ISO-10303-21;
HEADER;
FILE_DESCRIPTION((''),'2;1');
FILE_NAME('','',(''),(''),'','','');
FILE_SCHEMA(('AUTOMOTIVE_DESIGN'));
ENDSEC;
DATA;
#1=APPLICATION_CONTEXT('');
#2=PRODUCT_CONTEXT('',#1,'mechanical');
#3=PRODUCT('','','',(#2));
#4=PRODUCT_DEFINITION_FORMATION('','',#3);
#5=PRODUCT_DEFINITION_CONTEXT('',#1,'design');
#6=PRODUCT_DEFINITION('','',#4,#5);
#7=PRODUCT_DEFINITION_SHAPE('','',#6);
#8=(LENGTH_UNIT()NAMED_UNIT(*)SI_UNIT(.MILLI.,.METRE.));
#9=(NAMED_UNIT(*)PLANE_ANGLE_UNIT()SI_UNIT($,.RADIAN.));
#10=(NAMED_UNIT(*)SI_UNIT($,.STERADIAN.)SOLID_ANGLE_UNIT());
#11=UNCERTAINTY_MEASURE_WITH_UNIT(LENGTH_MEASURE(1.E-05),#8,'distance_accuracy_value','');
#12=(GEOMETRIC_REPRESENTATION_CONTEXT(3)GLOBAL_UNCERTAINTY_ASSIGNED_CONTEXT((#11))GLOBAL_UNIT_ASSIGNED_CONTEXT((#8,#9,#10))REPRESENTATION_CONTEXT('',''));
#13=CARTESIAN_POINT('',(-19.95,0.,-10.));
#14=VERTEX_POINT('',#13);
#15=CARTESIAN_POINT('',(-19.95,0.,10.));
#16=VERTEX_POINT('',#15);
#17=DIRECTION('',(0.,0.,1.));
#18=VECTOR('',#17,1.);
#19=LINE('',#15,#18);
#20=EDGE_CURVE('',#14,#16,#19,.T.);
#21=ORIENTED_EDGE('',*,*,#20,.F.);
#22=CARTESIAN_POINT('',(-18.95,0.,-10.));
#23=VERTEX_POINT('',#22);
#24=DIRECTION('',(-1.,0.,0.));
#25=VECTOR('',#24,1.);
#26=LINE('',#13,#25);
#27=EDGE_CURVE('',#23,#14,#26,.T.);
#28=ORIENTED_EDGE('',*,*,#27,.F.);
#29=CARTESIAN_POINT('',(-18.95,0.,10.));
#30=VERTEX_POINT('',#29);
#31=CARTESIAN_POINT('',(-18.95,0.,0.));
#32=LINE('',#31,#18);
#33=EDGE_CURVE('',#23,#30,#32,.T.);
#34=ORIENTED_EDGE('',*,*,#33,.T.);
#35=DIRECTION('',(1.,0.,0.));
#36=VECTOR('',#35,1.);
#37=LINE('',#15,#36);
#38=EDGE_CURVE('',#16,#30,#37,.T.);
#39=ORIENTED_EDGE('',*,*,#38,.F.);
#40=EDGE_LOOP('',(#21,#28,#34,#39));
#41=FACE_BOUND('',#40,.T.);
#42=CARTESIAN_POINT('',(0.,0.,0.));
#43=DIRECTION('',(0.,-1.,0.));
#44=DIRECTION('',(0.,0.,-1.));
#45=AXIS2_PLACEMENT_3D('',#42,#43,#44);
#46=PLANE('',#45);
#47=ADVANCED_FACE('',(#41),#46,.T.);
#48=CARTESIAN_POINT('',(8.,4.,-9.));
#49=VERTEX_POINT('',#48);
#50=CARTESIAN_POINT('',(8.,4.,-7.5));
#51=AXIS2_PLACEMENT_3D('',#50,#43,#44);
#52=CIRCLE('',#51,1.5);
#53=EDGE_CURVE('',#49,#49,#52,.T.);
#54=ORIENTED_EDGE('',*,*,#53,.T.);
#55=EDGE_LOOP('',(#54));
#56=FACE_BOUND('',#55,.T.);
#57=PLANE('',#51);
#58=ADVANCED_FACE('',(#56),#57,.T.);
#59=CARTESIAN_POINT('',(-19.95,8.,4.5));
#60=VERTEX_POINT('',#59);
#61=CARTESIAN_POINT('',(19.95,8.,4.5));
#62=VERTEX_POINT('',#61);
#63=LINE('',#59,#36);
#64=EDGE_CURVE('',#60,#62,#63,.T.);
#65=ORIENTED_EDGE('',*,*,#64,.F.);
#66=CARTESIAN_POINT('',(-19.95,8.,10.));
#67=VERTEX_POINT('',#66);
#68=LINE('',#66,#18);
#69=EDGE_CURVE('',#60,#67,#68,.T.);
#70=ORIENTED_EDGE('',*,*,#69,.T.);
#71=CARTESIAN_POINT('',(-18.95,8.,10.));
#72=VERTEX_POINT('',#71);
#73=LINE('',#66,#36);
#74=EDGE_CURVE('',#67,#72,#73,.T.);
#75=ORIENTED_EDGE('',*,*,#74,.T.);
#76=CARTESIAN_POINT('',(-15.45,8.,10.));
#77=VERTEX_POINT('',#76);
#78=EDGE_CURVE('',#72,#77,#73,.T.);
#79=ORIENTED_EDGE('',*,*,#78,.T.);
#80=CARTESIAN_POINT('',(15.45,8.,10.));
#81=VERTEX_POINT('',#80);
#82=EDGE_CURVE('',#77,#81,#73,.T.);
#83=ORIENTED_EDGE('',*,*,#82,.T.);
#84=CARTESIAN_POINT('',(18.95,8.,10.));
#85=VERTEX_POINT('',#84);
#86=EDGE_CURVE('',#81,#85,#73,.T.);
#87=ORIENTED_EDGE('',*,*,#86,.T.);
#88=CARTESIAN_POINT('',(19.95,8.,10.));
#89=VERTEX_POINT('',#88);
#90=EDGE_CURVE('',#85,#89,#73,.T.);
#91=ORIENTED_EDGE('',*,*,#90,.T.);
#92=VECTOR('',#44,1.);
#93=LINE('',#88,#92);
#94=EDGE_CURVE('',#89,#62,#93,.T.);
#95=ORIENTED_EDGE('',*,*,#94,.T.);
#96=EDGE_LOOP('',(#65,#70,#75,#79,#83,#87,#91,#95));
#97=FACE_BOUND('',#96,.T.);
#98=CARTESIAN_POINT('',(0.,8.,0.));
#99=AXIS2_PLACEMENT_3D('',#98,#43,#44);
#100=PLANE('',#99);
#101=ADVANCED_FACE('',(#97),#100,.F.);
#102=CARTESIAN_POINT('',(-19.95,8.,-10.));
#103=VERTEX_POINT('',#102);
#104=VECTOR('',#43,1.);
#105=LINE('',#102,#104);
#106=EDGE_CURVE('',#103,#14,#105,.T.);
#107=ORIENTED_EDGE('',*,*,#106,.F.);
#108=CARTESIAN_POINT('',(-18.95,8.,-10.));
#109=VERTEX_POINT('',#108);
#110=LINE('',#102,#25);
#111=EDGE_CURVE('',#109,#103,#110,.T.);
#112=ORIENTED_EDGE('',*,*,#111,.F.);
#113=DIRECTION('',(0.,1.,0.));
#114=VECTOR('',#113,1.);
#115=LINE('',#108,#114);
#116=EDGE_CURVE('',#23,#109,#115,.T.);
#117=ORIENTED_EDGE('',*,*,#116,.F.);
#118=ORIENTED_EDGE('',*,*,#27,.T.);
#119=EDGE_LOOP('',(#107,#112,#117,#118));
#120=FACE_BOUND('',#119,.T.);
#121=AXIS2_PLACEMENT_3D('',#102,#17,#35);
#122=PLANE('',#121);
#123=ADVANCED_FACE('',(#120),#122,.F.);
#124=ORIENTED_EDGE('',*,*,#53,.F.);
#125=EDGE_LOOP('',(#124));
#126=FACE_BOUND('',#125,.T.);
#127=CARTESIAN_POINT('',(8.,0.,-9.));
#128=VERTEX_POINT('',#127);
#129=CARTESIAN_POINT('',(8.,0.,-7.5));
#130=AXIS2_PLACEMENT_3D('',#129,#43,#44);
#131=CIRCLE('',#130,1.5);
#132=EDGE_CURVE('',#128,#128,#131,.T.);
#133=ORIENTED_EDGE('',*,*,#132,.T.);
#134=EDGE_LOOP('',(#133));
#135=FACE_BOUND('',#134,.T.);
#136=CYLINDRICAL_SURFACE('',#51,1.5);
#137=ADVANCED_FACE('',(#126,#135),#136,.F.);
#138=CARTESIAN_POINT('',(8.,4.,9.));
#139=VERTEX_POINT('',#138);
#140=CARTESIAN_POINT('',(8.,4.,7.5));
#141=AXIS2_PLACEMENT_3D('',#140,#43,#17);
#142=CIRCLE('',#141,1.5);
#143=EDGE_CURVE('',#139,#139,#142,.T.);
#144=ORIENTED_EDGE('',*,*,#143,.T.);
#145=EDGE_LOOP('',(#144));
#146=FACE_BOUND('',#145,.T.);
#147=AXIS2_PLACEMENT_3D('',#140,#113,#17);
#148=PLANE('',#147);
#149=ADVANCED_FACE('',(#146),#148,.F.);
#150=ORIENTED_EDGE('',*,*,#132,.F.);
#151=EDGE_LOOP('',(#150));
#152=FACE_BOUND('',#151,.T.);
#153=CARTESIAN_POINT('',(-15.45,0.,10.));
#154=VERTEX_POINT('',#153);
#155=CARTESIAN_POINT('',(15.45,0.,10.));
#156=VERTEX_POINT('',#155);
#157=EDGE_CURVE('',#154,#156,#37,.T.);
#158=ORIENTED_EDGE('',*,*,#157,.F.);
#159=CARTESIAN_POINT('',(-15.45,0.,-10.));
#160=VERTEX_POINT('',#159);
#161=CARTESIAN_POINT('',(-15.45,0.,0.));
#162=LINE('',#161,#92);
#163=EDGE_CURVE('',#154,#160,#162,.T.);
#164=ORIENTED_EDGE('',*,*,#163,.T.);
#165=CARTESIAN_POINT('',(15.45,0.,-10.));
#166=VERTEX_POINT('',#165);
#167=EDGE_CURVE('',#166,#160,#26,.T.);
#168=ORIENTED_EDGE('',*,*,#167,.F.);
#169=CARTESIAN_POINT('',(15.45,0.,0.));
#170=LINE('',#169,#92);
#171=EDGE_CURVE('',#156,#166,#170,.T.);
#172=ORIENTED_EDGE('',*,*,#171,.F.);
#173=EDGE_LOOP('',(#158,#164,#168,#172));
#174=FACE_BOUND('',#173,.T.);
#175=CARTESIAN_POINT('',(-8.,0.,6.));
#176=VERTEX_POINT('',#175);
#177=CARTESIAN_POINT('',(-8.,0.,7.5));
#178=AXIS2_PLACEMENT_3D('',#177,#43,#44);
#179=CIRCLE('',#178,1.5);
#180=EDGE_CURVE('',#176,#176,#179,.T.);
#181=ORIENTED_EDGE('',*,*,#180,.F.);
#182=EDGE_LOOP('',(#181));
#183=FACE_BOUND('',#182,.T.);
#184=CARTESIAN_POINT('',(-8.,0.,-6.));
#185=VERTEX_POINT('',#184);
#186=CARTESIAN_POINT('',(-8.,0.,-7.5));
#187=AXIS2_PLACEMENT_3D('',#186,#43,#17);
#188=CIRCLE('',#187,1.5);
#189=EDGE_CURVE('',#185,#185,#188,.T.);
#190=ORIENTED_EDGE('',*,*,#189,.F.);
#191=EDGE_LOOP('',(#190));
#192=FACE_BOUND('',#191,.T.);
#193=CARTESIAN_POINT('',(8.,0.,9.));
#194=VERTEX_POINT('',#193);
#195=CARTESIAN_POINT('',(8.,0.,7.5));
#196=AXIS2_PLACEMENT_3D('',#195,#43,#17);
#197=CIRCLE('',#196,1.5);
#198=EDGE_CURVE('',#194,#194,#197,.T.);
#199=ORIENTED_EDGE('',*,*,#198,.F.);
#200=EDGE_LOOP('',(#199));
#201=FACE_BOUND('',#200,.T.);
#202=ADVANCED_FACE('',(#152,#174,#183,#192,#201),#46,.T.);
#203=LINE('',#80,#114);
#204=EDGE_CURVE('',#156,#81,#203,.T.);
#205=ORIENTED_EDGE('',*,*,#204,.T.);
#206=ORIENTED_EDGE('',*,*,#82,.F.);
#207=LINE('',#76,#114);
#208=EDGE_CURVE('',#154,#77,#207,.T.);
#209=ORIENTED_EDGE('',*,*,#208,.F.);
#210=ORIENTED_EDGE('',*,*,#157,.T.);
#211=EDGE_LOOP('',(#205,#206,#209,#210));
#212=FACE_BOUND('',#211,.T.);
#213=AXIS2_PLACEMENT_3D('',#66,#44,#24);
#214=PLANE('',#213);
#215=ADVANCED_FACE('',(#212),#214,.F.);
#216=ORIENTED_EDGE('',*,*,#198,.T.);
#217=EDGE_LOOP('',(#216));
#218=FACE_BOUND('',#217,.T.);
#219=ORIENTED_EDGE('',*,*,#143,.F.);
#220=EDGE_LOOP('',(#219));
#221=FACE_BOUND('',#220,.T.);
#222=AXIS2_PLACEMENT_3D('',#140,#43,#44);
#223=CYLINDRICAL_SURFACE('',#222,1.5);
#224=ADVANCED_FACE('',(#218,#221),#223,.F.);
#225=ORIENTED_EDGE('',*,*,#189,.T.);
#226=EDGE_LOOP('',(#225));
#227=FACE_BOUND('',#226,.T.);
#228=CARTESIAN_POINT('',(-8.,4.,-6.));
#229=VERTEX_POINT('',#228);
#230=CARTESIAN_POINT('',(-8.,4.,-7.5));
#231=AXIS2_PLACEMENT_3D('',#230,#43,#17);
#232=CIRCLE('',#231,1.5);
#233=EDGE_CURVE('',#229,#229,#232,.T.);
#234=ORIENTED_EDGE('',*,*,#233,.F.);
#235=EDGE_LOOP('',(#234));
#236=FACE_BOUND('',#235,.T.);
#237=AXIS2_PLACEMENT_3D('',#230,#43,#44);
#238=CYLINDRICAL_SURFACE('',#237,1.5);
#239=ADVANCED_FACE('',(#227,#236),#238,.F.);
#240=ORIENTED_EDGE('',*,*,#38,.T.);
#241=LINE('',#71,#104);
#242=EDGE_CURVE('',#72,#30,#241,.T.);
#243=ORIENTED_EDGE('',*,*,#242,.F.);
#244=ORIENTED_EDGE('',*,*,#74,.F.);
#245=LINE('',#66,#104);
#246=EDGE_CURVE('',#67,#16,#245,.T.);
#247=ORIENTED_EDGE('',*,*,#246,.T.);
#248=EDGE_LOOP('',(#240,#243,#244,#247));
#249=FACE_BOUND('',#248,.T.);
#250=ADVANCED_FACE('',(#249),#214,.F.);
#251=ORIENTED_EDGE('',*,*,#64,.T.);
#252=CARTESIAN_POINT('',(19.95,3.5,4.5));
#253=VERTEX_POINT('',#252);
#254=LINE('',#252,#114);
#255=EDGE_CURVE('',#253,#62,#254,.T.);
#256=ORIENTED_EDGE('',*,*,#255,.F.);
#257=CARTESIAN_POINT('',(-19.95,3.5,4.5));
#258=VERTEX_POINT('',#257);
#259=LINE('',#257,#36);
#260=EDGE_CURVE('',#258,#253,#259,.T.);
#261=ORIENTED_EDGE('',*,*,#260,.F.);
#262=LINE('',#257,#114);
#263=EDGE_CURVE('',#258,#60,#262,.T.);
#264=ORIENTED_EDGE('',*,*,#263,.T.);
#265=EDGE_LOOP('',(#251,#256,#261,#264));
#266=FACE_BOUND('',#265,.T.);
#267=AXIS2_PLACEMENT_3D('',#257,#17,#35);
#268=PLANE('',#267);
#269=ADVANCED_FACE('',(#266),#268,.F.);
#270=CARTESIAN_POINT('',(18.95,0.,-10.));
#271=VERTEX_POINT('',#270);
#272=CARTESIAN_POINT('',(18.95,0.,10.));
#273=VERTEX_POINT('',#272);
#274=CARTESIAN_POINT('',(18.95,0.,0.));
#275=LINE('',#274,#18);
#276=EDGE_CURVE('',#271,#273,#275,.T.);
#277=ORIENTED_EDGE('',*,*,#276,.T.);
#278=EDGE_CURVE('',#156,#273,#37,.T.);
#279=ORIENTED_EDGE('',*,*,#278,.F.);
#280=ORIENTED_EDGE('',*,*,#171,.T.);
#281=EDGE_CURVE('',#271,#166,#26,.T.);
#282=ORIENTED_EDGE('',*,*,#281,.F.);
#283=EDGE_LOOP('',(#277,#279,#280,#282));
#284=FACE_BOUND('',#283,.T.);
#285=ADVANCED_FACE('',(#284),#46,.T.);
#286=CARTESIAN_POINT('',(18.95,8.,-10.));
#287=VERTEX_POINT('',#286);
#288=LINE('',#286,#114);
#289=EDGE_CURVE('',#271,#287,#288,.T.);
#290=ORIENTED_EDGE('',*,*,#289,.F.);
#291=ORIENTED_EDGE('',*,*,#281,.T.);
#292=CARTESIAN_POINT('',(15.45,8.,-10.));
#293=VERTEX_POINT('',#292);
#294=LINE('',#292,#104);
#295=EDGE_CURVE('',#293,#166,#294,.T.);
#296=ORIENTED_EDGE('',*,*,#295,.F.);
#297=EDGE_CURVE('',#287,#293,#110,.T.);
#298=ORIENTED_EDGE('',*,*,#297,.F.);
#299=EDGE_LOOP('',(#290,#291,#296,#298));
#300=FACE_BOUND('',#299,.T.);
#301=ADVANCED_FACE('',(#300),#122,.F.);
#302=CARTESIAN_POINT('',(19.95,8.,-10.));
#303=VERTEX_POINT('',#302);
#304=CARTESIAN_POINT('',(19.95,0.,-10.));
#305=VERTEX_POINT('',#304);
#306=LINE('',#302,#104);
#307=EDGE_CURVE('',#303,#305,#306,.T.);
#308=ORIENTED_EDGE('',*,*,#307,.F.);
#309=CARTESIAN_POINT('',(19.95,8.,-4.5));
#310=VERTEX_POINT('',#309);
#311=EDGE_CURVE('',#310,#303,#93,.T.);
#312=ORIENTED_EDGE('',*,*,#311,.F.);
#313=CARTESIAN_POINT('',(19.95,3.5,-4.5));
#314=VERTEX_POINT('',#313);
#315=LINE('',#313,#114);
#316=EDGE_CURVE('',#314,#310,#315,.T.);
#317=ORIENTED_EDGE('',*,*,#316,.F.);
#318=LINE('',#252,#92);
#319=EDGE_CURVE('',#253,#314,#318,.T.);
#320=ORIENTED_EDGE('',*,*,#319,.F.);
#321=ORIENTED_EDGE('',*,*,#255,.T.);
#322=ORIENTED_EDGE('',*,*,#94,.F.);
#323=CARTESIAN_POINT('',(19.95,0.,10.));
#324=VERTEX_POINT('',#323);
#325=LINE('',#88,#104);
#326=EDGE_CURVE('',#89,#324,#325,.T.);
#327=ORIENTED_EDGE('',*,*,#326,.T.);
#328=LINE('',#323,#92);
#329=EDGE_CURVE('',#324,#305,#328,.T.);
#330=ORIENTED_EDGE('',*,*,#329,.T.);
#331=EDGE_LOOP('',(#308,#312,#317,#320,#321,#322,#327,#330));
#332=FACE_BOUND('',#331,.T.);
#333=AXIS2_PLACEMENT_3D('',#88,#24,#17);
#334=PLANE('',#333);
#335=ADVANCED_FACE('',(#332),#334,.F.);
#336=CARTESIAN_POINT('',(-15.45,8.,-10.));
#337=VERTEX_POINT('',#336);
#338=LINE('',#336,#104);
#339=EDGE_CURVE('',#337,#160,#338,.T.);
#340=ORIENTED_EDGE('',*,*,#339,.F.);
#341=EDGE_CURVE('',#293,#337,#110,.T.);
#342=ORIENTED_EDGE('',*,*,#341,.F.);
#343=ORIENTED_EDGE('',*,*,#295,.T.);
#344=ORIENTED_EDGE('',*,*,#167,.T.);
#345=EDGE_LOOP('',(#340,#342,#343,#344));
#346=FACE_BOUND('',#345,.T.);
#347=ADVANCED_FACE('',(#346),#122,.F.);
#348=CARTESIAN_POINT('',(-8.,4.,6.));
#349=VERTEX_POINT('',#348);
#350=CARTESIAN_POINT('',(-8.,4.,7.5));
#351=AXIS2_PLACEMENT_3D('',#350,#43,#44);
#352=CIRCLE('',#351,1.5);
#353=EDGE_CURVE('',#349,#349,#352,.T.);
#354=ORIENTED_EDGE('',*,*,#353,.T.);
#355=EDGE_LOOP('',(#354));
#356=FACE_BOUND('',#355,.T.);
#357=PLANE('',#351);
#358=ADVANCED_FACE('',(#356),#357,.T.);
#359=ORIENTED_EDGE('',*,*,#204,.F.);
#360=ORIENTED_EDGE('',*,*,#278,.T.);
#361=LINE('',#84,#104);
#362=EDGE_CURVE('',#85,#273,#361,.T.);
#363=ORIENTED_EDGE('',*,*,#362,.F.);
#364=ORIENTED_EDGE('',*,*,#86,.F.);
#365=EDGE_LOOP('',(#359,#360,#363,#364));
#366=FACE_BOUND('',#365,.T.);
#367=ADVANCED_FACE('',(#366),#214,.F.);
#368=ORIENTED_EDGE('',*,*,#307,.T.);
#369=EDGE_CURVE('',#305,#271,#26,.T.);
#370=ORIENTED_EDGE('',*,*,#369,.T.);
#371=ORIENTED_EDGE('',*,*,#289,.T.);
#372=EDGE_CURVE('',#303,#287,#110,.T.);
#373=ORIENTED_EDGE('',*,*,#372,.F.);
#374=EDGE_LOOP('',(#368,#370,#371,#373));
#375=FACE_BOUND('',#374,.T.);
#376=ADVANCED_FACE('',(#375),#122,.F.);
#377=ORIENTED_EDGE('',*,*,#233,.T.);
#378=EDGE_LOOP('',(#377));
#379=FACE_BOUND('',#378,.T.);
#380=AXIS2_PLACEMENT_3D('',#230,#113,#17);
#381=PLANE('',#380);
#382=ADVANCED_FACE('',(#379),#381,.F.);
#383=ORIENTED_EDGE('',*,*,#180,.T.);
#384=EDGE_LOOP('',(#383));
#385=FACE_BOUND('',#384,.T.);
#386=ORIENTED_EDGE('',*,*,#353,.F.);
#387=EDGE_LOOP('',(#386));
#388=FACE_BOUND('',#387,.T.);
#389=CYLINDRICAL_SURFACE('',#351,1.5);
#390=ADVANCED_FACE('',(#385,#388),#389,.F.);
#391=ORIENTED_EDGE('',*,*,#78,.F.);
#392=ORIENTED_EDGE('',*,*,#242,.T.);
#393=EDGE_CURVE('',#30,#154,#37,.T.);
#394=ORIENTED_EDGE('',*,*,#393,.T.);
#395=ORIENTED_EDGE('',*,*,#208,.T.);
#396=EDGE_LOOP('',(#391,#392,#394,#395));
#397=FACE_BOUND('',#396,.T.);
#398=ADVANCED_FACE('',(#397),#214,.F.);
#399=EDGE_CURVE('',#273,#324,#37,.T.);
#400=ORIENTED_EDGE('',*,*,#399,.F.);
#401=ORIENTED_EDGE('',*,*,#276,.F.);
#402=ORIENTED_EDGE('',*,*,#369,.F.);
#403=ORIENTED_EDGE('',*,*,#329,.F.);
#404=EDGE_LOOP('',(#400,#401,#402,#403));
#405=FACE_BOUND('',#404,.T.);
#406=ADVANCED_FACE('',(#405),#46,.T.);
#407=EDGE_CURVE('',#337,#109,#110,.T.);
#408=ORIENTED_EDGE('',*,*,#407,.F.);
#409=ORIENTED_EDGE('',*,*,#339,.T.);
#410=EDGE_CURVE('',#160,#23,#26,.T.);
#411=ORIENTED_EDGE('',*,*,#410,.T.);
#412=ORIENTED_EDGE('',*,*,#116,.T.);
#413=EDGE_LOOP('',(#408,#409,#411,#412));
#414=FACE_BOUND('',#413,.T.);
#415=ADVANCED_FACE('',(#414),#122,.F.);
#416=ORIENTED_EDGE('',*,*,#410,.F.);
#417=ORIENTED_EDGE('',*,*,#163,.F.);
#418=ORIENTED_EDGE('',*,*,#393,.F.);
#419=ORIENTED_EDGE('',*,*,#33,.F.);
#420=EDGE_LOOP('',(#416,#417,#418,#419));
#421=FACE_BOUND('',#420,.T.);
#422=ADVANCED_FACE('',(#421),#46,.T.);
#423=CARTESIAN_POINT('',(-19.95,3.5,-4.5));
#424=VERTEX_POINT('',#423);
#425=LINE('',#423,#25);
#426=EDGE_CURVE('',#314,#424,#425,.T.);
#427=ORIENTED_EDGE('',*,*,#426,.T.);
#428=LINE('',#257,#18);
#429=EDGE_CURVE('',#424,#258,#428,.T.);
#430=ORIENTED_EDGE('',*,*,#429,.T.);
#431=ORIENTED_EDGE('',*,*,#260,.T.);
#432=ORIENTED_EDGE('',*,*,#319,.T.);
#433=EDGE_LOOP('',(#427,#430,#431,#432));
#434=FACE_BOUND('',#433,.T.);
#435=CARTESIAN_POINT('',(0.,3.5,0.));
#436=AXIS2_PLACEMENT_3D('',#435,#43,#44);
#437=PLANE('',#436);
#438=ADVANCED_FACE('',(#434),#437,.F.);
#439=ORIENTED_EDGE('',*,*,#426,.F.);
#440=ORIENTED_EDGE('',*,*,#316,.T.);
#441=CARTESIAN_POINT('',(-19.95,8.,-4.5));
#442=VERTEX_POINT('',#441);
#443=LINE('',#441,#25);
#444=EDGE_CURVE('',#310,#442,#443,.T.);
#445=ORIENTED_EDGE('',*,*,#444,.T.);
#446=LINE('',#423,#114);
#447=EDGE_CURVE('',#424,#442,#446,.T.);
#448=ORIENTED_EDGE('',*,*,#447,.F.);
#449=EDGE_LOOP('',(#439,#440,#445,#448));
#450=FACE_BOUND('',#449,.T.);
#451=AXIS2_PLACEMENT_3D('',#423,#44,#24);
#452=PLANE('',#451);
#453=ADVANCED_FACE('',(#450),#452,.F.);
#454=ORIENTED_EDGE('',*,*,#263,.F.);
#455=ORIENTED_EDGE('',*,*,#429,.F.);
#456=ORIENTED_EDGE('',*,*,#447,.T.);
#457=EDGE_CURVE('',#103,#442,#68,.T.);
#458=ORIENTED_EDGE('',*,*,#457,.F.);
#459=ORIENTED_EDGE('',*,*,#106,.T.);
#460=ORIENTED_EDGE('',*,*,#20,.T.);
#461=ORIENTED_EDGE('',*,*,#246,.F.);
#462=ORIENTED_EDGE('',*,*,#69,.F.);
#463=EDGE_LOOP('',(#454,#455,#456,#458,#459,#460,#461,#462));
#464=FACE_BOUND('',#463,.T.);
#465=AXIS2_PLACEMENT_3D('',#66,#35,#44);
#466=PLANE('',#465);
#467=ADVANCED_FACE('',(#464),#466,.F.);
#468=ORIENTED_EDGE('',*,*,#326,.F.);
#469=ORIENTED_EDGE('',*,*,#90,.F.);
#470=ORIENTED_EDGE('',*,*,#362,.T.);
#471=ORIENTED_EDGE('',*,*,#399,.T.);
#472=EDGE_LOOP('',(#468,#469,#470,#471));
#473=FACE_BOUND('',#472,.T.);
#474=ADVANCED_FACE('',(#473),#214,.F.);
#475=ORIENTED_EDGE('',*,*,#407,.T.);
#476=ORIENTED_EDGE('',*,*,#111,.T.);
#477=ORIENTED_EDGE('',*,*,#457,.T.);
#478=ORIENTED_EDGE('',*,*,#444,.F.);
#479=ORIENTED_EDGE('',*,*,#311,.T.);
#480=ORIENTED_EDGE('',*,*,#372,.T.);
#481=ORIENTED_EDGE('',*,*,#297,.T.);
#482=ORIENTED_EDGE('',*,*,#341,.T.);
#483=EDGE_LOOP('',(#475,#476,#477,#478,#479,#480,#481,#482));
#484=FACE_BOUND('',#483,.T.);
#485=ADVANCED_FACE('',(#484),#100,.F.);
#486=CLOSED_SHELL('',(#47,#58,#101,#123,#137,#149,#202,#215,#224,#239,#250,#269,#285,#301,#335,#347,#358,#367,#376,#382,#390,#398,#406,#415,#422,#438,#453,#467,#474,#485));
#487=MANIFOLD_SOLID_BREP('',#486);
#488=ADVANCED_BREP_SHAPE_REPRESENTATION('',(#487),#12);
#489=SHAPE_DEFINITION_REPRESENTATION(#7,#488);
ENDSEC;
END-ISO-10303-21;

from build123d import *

# Parameters (mm, degrees)
SKETCH_1_W          = 39.9
SKETCH_1_H          = 20
EXTRUDE_1_DEPTH     = 8
SKETCH_2_W          = 39.9
SKETCH_2_H          = 9
CUT_EXTRUDE_1_DEPTH = 4.5
SKETCH_3_R          = 1.5
CUT_EXTRUDE_2_DEPTH = 4


with BuildPart() as part:
    # 草图1 → 凸台-拉伸1 (new body)
    with BuildSketch(Plane(origin=(0, 0, 0), x_dir=(1, 0, 0), z_dir=(0, 1, 0))):
        Rectangle(SKETCH_1_W, SKETCH_1_H)
    extrude(amount=EXTRUDE_1_DEPTH)

    # 草图2 → 切除-拉伸1 (cut)
    with BuildSketch(Plane(origin=(0, 8, 0), x_dir=(1, 0, 0), z_dir=(0, 1, 0))):
        Rectangle(SKETCH_2_W, SKETCH_2_H)
    extrude(amount=-CUT_EXTRUDE_1_DEPTH, mode=Mode.SUBTRACT)

    # 草图3 → 切除-拉伸2 (cut)
    with BuildSketch(Plane.XZ):
        with Locations((-8, 7.5)):
            Circle(SKETCH_3_R)
        with Locations((8, 7.5)):
            Circle(SKETCH_3_R)
        with Locations((8, -7.5)):
            Circle(SKETCH_3_R)
        with Locations((-8, -7.5)):
            Circle(SKETCH_3_R)
    extrude(amount=-CUT_EXTRUDE_2_DEPTH, mode=Mode.SUBTRACT)


solid = part.part
